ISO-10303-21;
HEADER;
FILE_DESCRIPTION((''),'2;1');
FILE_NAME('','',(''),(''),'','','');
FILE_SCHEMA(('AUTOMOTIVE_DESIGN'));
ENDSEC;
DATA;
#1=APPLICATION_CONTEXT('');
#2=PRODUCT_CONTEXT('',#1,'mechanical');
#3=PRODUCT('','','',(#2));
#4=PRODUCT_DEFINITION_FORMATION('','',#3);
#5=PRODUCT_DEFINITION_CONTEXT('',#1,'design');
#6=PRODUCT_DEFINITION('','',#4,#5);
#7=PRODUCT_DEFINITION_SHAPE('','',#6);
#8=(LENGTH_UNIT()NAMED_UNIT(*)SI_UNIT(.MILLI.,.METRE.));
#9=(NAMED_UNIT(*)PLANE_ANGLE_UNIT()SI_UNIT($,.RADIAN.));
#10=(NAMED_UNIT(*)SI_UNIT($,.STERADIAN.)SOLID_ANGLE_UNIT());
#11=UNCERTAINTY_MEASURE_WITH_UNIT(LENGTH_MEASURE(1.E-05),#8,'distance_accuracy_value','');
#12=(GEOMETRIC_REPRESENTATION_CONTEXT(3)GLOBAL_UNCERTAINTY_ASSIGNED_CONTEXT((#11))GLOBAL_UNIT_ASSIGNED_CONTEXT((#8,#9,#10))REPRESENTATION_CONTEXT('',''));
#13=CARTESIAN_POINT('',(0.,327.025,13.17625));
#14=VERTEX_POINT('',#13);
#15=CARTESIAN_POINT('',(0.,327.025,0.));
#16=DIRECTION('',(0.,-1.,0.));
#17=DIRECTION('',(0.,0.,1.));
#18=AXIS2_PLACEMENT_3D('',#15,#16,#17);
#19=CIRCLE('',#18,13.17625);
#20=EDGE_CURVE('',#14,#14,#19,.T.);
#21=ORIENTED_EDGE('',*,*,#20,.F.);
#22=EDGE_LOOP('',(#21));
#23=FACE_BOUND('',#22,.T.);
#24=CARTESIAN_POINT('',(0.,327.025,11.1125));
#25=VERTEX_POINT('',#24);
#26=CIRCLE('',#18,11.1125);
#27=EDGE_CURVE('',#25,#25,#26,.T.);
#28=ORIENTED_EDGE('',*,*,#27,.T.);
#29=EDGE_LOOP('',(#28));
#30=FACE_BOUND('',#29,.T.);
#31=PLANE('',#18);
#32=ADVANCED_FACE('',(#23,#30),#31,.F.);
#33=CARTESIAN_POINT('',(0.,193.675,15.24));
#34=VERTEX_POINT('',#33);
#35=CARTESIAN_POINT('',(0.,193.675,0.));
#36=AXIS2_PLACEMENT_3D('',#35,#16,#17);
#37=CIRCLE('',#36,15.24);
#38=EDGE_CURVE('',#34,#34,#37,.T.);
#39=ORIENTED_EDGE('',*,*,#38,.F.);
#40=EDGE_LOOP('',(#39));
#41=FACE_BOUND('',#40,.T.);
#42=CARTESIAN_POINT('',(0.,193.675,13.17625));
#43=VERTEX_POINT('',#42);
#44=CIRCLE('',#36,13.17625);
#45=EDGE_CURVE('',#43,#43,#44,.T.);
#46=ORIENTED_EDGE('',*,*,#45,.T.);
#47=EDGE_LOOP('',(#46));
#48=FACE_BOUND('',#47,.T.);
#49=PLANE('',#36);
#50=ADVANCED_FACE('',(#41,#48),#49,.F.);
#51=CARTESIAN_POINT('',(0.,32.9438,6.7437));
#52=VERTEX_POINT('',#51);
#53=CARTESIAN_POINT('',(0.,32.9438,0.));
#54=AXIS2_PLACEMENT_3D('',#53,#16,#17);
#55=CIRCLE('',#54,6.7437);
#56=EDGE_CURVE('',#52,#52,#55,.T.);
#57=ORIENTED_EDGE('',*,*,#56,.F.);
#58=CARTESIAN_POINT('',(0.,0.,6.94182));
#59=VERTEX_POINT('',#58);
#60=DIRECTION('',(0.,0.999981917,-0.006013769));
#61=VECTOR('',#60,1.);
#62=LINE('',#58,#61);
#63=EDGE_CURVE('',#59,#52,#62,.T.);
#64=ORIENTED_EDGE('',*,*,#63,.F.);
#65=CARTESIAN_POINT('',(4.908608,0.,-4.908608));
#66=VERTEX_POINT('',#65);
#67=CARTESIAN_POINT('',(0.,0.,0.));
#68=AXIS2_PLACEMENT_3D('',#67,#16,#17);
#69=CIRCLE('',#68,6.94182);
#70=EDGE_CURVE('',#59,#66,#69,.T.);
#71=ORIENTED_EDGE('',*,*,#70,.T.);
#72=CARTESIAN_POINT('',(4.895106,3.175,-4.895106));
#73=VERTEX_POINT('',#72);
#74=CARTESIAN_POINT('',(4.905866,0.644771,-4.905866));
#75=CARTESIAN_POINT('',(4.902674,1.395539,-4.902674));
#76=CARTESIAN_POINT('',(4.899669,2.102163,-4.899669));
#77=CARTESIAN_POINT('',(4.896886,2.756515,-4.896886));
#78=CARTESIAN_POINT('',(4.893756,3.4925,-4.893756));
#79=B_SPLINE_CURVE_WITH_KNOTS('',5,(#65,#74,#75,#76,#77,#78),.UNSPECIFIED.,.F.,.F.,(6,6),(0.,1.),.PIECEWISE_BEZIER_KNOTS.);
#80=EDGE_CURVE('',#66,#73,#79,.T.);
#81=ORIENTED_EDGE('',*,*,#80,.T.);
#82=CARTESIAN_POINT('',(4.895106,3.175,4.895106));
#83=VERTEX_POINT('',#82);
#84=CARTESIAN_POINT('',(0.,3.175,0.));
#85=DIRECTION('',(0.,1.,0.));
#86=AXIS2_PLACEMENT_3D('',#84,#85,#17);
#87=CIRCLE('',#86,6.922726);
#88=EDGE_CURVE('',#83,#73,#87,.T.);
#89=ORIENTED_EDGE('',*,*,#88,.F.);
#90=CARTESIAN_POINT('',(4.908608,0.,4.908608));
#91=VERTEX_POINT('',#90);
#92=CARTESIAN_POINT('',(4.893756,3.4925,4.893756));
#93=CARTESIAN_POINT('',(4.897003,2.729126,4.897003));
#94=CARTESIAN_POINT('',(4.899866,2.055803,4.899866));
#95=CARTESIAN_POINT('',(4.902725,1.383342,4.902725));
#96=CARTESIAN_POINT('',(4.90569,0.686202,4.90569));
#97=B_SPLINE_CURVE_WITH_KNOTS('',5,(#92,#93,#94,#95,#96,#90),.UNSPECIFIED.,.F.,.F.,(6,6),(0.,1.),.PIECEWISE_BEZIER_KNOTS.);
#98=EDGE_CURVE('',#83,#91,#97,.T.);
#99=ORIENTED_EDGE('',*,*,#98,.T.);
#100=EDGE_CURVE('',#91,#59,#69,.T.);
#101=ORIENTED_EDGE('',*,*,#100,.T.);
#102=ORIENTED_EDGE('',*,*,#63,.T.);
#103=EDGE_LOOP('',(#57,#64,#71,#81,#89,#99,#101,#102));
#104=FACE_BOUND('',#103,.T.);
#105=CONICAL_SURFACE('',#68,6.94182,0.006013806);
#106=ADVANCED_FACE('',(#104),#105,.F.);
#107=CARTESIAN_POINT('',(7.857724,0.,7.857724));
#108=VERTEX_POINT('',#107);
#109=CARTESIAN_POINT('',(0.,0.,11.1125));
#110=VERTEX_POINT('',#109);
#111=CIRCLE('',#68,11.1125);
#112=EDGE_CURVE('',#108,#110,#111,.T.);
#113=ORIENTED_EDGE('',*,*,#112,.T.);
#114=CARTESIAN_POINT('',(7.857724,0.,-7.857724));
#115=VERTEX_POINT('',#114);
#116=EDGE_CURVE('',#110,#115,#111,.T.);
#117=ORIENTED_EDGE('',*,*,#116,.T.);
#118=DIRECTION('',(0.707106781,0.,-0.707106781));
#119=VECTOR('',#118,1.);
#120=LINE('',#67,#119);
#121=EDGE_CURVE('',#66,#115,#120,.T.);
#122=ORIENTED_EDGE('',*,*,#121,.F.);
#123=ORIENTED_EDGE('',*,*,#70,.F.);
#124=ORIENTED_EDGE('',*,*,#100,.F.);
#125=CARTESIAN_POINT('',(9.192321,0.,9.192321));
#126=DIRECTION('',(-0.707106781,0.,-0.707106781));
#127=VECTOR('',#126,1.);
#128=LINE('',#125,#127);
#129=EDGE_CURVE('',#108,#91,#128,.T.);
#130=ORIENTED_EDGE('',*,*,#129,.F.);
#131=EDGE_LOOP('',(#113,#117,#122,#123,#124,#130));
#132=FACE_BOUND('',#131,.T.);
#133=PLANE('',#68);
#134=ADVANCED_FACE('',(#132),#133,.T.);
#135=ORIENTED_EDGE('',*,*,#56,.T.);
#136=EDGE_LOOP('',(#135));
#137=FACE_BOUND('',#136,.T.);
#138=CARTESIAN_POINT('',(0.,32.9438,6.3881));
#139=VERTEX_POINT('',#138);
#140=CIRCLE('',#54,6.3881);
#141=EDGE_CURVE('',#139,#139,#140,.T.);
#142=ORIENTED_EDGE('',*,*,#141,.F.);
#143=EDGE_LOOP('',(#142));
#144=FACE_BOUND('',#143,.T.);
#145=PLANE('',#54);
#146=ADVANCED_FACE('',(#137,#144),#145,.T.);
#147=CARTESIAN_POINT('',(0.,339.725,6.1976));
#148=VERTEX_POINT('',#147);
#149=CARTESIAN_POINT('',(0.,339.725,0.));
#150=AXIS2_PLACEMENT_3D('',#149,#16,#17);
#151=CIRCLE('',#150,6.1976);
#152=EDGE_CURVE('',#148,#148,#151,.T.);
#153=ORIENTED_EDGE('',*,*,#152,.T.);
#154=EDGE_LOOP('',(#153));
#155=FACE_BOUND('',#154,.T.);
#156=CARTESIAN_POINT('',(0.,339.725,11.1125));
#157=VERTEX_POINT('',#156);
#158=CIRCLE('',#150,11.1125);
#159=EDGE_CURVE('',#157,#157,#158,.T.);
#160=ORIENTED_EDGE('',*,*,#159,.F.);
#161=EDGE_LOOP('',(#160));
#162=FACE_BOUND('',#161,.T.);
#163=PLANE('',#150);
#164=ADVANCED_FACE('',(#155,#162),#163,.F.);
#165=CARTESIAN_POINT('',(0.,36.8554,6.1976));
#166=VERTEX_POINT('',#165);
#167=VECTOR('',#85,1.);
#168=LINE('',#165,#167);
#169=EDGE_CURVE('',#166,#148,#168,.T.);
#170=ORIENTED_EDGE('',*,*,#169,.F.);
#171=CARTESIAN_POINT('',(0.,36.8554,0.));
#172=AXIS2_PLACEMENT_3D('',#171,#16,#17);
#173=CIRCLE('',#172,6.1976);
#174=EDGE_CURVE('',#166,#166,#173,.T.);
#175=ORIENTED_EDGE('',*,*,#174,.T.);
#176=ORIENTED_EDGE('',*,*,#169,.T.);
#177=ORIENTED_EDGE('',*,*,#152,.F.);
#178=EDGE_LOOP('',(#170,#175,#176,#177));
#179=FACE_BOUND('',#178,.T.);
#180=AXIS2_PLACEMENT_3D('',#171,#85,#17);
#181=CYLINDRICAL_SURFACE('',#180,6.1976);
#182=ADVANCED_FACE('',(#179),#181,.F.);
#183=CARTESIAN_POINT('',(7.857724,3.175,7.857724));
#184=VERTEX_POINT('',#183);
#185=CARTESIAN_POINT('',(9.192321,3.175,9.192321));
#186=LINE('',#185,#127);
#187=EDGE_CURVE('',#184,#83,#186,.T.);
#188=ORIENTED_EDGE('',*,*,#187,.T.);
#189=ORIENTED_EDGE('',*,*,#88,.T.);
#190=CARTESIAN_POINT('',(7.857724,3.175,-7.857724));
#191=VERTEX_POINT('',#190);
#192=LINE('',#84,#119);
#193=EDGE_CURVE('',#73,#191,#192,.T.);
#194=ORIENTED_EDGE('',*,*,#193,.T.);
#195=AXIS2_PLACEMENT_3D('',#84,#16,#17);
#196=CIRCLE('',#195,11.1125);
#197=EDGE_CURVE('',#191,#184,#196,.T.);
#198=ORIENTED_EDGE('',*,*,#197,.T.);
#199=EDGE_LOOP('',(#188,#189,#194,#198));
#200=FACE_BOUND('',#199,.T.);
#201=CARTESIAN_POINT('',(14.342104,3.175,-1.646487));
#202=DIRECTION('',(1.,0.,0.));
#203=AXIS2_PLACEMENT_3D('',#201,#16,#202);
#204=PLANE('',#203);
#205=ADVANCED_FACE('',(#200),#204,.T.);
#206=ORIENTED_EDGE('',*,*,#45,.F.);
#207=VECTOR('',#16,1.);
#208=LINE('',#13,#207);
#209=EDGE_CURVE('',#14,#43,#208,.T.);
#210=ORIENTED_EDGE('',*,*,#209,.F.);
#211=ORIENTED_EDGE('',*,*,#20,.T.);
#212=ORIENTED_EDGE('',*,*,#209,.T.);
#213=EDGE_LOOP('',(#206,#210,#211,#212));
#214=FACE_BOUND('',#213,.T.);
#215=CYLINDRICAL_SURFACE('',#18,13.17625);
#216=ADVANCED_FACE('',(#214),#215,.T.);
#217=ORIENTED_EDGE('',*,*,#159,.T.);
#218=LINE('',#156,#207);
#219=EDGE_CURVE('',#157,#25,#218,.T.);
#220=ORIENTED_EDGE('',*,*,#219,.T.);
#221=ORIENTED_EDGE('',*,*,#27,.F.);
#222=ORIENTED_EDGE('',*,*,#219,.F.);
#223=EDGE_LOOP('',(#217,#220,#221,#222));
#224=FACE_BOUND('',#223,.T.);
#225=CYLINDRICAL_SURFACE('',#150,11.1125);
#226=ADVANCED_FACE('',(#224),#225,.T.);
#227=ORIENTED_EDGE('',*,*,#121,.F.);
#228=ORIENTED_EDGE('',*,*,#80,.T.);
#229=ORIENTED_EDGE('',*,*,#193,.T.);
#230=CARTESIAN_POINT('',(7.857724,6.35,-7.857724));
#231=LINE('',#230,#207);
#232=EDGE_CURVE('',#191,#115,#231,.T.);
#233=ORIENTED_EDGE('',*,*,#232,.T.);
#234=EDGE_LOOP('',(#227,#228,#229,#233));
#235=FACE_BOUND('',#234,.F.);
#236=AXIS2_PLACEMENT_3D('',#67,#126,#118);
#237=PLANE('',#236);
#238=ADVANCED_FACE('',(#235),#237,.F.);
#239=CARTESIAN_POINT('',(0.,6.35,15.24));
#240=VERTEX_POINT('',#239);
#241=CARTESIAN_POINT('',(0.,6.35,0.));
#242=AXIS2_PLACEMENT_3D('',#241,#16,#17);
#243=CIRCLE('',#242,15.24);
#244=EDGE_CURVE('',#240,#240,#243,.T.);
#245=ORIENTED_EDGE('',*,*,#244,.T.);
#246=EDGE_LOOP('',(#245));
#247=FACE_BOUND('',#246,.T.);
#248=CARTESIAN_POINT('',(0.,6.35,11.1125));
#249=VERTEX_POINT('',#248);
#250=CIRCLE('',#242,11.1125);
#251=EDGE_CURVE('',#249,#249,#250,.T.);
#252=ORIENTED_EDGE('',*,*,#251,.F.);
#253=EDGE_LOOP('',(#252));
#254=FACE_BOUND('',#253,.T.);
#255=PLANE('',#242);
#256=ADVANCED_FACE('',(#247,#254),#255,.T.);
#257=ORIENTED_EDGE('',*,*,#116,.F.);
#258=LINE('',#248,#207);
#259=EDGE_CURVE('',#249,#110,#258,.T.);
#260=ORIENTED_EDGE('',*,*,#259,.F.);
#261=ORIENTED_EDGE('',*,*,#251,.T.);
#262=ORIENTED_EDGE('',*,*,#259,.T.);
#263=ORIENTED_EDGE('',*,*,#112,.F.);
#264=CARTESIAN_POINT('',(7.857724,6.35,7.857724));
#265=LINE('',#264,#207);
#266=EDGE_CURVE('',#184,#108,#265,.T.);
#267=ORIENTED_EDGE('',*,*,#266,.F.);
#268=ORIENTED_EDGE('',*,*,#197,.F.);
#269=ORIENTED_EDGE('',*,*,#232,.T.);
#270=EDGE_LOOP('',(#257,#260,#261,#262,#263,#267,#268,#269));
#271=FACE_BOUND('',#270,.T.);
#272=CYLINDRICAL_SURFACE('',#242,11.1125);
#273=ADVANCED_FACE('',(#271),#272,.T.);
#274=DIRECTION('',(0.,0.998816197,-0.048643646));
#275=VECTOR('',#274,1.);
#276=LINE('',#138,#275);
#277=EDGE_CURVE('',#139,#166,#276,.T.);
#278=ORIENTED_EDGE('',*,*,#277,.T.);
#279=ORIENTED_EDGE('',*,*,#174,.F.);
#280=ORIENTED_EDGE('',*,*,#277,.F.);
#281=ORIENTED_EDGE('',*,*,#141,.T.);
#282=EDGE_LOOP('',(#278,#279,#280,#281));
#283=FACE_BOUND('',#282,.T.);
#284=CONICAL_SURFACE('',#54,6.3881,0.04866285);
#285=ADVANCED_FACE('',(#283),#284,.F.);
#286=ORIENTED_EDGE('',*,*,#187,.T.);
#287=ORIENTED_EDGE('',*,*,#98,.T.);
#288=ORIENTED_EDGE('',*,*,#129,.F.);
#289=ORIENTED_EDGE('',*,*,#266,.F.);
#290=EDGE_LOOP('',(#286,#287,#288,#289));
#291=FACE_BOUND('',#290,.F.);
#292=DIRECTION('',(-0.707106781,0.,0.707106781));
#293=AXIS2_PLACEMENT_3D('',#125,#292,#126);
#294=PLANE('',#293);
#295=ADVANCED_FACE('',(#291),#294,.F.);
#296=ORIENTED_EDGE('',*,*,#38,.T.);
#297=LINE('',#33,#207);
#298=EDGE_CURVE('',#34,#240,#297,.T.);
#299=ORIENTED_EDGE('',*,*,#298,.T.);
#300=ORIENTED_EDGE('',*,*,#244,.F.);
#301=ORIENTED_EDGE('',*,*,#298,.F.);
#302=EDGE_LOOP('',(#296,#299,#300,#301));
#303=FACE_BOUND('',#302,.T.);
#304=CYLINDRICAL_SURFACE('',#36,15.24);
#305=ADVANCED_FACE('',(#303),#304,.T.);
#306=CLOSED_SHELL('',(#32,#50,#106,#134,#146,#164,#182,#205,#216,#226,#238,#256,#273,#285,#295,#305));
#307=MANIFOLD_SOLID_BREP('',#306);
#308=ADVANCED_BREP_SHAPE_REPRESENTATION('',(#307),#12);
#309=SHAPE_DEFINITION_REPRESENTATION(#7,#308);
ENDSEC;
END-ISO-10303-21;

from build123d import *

# Parameters (mm, degrees)
F2_R     = 1.5875
F3_DEPTH = 25.4
F5_DEPTH = 3.175


with BuildPart() as f1:
    # F0 (on Right) → F1 (revolve)
    with BuildSketch(Plane.YZ):
        Polygon((0, 11.1125), (0, 6.94182), (32.9438, 6.7437), (32.9438, 6.3881), (36.8554, 6.1976), (339.725, 6.1976), (339.725, 11.1125), (327.025, 11.1125), (327.025, 13.17625), (193.675, 13.17625), (193.675, 15.24), (6.35, 15.24), (6.35, 11.1125), align=None)
    revolve(axis=Axis((0, 169.8625, 0), (0, -1, 0)))

    # F2 (on Top) → F3 (cut)
    with BuildSketch(Plane.XY):
        with Locations((0, 355.6)):
            Circle(F2_R)
    extrude(amount=F3_DEPTH, mode=Mode.SUBTRACT)

    # F4 (on face) → F5 (cut)
    with BuildSketch(Plane.XZ):
        Polygon((9.192321, 9.192321), (0, 0), (14.158506, -14.158506), (23.104484, -14.158506), (23.104484, 9.648457), align=None)
    extrude(amount=-F5_DEPTH, mode=Mode.SUBTRACT)


solid = f1.part
